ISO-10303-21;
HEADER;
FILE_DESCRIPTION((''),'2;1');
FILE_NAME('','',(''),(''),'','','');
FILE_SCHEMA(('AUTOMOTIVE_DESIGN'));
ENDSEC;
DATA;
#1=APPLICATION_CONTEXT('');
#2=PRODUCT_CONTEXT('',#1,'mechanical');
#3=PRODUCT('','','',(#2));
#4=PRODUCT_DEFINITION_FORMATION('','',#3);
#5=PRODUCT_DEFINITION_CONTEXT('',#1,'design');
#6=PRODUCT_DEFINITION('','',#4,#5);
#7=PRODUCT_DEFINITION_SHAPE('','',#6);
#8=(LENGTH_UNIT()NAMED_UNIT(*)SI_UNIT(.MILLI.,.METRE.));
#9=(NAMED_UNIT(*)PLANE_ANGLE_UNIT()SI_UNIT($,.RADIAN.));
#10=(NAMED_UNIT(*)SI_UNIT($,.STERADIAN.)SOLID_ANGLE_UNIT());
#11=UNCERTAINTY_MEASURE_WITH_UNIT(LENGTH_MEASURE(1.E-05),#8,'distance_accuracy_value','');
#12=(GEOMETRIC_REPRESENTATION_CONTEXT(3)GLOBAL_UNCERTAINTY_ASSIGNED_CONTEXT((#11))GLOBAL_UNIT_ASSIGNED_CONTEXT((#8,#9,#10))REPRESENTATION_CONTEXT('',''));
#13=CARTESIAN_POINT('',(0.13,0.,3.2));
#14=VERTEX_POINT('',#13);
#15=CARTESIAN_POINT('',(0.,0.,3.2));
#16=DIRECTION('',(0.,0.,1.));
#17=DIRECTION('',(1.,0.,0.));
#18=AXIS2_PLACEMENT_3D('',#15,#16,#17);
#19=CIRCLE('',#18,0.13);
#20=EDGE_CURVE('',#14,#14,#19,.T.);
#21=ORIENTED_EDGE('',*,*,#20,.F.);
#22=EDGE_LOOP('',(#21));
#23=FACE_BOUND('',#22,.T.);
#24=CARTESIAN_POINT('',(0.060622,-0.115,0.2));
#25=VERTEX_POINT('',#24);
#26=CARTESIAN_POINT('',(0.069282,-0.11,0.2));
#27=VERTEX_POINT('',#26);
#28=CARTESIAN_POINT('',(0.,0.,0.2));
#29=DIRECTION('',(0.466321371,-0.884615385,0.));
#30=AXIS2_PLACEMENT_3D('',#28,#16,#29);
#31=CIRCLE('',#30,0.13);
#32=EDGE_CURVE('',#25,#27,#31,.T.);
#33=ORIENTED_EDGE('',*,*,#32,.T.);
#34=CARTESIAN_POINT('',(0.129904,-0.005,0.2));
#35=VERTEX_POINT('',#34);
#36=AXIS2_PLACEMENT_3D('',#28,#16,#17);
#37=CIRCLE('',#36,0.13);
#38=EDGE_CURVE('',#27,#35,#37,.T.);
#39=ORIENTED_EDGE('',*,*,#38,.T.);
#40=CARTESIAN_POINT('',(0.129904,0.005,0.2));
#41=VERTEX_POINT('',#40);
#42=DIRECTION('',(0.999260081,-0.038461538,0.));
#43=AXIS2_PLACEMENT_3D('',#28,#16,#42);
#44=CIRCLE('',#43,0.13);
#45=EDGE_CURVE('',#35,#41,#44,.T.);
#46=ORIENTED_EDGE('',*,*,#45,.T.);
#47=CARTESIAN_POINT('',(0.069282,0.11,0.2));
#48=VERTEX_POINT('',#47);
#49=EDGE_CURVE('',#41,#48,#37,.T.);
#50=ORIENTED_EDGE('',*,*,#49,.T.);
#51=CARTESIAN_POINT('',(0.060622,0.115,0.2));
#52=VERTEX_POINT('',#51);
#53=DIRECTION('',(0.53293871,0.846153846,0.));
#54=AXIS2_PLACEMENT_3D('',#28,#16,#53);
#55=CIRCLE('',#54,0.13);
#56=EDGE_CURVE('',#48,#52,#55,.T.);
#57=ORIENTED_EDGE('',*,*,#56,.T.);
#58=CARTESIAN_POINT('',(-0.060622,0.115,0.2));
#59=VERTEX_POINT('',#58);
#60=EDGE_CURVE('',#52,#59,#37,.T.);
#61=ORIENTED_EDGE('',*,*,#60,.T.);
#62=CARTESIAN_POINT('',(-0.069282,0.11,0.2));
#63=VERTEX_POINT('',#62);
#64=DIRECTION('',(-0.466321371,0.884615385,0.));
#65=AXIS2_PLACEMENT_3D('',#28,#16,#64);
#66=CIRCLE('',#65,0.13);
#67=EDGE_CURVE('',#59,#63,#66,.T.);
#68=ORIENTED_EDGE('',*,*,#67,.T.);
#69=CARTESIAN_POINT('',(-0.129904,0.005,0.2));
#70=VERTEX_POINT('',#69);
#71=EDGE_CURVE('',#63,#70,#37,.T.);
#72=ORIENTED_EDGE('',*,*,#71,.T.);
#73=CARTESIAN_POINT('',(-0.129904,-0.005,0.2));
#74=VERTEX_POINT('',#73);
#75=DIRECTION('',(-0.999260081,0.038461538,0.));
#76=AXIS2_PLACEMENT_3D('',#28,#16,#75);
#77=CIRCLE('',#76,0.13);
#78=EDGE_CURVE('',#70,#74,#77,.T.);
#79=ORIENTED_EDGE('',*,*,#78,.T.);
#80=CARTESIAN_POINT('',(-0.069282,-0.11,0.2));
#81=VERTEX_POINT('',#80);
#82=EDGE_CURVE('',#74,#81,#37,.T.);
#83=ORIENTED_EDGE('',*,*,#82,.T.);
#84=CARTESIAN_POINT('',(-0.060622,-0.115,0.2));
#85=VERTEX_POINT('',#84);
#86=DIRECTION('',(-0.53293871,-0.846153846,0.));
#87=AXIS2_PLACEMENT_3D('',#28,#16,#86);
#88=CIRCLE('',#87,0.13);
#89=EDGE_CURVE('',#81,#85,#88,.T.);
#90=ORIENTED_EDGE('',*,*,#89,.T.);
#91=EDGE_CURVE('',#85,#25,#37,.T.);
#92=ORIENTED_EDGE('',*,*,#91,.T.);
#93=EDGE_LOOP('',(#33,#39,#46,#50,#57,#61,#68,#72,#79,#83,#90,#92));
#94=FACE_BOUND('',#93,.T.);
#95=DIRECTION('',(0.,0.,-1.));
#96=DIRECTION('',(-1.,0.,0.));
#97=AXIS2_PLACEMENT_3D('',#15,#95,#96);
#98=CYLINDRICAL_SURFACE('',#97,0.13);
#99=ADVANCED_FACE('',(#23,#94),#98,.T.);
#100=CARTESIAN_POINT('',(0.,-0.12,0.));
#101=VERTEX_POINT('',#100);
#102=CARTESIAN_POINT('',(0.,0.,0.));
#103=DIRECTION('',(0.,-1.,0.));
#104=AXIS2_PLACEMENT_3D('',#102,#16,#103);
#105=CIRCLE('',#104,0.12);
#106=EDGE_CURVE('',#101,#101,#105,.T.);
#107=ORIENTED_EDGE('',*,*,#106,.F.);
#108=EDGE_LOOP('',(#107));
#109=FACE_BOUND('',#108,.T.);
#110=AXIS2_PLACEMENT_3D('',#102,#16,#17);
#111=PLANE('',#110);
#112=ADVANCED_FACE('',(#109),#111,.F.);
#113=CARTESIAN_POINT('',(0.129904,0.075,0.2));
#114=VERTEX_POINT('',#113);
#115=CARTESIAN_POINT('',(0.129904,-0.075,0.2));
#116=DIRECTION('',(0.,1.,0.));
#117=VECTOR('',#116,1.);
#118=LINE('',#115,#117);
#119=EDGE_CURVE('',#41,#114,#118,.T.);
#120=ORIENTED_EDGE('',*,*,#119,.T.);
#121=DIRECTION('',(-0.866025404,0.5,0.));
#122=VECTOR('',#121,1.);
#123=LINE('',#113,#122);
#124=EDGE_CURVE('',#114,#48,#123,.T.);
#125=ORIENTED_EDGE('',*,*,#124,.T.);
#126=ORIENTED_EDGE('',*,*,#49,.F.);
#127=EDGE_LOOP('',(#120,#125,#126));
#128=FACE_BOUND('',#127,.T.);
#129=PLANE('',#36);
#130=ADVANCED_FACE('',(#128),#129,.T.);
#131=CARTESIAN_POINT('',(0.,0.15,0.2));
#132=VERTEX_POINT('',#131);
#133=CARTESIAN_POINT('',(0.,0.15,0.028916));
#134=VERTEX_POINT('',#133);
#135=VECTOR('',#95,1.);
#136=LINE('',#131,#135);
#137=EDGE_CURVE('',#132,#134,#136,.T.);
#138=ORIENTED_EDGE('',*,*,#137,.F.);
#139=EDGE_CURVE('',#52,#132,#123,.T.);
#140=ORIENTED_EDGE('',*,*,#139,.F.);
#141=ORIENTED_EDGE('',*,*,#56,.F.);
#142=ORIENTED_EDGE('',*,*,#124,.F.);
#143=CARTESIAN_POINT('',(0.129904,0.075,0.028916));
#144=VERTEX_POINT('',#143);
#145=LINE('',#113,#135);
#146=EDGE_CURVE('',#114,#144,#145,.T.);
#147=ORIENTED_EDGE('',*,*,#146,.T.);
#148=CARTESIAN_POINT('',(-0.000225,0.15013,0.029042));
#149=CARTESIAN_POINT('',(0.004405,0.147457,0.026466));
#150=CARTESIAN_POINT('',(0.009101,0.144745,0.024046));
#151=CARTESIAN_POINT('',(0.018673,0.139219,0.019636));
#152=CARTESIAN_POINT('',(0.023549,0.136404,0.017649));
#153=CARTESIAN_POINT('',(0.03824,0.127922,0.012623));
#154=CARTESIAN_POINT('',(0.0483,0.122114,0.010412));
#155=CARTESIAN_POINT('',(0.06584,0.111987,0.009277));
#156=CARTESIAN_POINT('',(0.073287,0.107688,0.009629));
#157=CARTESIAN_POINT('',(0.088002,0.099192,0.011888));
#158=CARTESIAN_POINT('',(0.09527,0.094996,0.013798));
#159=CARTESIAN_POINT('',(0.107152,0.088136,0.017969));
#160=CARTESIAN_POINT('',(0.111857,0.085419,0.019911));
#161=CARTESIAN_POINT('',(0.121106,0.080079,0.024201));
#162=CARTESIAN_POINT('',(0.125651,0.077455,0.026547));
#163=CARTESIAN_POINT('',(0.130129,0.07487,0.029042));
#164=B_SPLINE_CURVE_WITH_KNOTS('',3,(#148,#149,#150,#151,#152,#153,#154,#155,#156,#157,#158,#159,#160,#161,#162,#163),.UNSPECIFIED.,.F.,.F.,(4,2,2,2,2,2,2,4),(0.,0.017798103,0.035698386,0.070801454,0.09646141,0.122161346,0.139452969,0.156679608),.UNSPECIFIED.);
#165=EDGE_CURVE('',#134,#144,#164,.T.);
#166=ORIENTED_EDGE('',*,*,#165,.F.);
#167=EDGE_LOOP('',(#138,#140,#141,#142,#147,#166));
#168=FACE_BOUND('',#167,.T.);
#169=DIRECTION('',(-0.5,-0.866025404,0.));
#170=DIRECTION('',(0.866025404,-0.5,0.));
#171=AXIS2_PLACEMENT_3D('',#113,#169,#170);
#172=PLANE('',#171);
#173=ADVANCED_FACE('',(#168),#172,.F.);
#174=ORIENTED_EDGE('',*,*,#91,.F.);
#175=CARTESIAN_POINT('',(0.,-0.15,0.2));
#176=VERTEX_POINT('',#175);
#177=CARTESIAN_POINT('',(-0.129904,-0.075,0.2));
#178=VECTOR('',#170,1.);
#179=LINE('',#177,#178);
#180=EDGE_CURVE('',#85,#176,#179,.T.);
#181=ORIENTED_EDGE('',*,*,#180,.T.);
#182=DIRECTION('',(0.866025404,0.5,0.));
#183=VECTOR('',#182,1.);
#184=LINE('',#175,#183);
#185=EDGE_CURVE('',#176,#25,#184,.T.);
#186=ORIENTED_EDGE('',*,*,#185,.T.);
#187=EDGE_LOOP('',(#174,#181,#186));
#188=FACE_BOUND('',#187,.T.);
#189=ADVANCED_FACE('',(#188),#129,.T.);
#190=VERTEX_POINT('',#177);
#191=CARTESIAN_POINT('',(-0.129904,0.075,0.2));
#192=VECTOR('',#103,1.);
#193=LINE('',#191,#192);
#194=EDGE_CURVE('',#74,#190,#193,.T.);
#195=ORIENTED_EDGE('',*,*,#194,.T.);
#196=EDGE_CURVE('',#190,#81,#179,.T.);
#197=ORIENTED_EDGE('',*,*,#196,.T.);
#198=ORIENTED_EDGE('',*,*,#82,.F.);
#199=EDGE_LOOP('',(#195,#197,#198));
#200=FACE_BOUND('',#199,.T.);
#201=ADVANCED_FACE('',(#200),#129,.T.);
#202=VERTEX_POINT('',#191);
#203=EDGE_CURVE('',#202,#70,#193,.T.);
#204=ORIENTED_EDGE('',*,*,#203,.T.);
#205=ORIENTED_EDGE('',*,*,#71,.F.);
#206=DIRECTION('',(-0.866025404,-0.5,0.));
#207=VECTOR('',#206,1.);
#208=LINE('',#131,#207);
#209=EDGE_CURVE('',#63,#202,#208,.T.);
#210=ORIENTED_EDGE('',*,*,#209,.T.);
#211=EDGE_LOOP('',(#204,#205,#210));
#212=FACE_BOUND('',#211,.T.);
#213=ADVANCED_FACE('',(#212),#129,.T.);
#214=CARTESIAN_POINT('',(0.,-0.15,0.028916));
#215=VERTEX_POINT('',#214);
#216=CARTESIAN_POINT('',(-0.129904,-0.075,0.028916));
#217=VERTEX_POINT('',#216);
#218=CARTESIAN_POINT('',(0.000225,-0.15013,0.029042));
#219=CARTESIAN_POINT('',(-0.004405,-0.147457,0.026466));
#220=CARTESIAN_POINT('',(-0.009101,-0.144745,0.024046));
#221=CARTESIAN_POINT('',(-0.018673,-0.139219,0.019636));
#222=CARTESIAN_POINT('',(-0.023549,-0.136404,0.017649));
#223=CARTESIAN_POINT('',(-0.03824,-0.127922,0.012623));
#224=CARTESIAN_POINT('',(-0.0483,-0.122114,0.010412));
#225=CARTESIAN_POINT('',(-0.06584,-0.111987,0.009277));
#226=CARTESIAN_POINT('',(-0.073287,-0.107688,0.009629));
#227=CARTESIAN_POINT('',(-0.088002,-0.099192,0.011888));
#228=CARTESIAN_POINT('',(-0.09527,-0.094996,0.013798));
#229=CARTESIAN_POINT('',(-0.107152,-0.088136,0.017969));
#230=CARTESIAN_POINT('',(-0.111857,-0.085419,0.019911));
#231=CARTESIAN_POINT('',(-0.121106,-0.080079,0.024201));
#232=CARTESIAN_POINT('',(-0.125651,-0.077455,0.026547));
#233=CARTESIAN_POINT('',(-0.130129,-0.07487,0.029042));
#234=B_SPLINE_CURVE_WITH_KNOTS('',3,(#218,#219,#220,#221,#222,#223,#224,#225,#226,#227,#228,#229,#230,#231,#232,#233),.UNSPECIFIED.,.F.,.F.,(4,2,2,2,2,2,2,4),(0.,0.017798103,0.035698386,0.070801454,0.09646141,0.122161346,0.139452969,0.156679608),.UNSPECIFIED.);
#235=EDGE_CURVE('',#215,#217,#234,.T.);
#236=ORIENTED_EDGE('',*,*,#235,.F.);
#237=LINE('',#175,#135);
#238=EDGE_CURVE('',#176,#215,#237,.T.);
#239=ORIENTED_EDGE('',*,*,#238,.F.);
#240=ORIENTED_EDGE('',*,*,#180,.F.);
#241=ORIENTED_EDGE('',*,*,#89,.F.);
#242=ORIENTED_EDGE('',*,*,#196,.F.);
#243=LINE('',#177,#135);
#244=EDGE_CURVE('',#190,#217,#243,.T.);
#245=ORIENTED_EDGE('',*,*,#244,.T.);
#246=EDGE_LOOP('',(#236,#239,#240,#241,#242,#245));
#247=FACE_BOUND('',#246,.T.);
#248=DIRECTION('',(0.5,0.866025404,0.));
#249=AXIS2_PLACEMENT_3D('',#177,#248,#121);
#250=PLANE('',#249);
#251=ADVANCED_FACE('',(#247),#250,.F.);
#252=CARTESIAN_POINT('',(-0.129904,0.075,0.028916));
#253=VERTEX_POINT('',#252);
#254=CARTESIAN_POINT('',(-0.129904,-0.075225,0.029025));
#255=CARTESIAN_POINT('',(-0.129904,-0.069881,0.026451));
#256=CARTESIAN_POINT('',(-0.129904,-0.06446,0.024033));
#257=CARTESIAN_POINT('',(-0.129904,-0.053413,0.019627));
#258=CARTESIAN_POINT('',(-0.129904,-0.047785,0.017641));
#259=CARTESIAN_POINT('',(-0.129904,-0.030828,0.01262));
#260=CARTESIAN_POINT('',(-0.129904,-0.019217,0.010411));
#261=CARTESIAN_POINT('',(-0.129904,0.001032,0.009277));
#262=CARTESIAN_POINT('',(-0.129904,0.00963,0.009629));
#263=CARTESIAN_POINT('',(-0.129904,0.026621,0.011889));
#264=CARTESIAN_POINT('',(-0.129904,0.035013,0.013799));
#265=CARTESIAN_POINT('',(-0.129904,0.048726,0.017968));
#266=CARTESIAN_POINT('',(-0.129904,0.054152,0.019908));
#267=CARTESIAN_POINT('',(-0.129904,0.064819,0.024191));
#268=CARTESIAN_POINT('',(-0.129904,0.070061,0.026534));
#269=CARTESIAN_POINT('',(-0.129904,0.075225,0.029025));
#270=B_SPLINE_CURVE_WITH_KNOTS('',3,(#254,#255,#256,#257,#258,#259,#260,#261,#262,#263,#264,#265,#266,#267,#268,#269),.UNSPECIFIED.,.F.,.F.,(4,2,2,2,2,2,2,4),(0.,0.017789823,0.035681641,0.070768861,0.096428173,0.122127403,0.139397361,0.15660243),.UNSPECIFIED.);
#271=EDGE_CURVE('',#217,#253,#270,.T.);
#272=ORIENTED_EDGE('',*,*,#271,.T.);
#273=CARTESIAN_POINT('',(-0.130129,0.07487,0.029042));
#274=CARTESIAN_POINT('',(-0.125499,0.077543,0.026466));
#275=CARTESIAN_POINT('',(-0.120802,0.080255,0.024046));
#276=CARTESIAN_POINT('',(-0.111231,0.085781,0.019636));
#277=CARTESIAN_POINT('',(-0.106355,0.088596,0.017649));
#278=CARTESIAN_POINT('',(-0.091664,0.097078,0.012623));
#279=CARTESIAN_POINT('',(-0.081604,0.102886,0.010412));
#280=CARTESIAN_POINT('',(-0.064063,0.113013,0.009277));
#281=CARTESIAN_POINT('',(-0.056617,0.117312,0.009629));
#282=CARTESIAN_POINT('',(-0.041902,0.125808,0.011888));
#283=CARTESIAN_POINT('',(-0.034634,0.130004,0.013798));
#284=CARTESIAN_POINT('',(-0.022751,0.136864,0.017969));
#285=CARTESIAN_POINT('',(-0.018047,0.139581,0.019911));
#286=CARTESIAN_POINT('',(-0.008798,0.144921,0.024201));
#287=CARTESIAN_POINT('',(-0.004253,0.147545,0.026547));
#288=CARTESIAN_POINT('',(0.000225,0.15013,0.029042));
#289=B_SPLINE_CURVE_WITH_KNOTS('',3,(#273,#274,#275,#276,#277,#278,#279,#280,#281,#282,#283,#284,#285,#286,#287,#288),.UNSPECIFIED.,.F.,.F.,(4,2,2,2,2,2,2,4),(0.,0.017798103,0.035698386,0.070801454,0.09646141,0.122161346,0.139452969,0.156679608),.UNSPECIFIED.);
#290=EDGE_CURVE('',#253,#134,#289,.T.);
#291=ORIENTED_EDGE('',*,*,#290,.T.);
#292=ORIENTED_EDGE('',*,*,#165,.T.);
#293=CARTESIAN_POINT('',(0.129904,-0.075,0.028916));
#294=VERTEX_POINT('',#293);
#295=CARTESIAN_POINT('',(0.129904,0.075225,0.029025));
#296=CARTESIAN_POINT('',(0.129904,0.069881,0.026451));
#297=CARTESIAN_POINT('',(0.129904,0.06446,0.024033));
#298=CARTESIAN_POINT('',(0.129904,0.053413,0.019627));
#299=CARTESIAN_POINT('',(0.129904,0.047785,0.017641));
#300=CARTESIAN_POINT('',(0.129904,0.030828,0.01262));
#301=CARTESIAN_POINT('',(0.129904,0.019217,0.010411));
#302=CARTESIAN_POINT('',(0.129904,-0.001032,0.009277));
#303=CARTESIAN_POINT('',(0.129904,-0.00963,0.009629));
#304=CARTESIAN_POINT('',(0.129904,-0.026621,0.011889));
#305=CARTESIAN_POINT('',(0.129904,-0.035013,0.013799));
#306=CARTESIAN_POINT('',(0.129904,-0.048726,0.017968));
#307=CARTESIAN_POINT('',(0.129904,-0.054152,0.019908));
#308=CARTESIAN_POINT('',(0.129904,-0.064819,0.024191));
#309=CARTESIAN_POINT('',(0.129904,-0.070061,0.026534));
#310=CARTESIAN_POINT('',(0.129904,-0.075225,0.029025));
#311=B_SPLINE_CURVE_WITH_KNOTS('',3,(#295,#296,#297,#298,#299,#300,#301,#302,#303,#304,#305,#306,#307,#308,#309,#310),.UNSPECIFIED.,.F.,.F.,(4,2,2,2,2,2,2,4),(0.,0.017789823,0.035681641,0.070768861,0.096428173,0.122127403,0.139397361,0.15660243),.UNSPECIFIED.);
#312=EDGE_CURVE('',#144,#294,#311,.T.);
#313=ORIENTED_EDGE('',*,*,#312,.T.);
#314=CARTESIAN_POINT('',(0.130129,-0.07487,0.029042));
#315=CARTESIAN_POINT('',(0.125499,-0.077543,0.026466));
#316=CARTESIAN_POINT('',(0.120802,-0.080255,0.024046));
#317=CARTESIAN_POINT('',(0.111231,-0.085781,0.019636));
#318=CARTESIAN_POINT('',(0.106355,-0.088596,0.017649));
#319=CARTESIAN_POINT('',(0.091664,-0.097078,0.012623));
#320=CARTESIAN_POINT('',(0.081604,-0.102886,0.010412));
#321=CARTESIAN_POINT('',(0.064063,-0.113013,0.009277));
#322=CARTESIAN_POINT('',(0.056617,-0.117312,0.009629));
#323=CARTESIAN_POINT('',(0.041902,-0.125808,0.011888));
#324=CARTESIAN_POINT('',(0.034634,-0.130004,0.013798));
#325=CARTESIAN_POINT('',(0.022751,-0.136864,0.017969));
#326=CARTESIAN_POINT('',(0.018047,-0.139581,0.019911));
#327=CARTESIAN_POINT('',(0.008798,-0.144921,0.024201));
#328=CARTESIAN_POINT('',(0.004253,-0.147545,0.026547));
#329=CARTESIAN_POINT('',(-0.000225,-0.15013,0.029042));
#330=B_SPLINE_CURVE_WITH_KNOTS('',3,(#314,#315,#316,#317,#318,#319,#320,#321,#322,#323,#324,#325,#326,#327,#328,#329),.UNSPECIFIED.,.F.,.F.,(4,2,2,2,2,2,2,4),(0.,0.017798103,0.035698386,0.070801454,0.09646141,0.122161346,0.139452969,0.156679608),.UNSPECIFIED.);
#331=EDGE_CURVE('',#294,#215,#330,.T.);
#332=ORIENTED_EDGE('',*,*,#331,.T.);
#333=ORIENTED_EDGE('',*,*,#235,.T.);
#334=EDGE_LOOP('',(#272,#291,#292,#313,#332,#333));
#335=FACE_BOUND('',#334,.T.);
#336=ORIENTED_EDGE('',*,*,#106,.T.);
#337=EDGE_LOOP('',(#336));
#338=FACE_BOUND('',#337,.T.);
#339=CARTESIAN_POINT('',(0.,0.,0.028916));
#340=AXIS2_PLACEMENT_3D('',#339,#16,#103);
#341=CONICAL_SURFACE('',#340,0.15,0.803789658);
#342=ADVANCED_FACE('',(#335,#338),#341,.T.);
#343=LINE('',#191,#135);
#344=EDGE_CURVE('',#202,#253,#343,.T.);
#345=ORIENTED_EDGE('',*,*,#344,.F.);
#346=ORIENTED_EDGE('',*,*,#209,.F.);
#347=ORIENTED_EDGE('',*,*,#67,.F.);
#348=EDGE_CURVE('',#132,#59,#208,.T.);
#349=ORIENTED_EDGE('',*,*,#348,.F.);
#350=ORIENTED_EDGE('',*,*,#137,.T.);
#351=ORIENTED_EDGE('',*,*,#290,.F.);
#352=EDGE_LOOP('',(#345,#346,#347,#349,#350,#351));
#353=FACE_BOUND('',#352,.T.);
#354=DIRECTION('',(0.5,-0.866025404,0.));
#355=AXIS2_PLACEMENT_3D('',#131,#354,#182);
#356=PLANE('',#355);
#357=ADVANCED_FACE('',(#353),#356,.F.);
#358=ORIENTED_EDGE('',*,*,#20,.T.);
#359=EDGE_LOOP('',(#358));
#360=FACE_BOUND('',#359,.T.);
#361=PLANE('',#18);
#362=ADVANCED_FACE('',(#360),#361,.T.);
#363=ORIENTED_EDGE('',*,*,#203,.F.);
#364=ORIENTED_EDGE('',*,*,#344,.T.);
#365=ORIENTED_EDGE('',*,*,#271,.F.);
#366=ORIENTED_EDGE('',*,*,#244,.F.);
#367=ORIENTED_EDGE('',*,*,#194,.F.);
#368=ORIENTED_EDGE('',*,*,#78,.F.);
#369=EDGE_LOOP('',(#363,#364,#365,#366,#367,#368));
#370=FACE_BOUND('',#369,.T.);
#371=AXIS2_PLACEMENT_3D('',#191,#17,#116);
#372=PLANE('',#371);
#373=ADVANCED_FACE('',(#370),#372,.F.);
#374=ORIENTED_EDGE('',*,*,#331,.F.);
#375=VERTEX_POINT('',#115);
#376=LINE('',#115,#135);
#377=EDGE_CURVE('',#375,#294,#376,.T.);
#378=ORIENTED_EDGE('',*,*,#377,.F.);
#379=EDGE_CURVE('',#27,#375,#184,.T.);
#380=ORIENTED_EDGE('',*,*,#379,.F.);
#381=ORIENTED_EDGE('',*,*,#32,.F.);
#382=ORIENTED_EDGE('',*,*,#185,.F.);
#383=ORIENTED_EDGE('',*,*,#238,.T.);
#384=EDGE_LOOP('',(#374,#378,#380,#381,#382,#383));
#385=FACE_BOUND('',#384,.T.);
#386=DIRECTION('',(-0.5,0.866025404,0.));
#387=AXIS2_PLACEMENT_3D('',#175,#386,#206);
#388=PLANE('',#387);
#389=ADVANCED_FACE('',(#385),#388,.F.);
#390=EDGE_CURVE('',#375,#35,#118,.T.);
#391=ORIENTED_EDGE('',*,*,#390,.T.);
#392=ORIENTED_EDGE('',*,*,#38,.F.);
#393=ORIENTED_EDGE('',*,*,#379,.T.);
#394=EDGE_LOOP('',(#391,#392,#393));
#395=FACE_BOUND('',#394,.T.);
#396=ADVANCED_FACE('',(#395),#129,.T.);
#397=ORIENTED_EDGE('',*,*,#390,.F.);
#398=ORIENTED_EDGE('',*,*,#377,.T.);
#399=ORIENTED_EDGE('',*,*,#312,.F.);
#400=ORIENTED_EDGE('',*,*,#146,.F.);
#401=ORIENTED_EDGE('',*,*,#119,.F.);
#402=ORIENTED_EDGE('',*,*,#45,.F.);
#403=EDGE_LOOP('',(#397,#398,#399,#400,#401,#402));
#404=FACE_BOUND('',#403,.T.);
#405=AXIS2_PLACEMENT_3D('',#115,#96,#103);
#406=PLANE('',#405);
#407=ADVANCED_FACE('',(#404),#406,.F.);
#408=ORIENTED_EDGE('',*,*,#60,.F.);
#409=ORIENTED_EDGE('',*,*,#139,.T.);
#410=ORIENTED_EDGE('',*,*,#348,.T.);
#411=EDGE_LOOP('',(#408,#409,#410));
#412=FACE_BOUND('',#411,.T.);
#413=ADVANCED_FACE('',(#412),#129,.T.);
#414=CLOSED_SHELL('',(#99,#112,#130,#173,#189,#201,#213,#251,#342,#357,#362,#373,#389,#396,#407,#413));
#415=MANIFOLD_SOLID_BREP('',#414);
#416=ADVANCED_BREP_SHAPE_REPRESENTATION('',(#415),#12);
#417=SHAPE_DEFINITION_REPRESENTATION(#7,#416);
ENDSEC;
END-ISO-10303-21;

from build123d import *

# Parameters (mm, degrees)
BOSS_EXTRUDE1_DEPTH = 0.2
SKETCH5_R           = 0.13
BOSS_EXTRUDE2_DEPTH = 3


with BuildPart() as part:
    # Sketch1 → Boss-Extrude1 (new body)
    with BuildSketch(Plane.XY):
        Polygon((0, 0.15), (-0.129903811, 0.075), (-0.129903811, -0.075), (0, -0.15), (0.129903811, -0.075), (0.129903811, 0.075), align=None)
    extrude(amount=BOSS_EXTRUDE1_DEPTH)

    # Sketch5 → Boss-Extrude2 (add)
    with BuildSketch(Plane.XY.offset(0.2)):
        with Locations(Location((0, 0, 0), (0, 0, 177.795772496))):
            Circle(SKETCH5_R)
    extrude(amount=BOSS_EXTRUDE2_DEPTH)

    # Sketch3 → Cut-Revolve2 (revolve, cut)
    with BuildSketch(Plane(origin=(0, 0, 0), x_dir=(0, 0, -1), z_dir=(1, 0, 0)), mode=Mode.PRIVATE) as cut_revolve2_sk:
        Polygon((-0.028916319, 0.15), (0, 0.15), (0, 0.12), align=None)
    revolve(cut_revolve2_sk.sketch.rotate(Axis((0, 0, 0.2), (0, 0, -1)), 180), axis=Axis((0, 0, 0.2), (0, 0, -1)), mode=Mode.SUBTRACT)


solid = part.part
